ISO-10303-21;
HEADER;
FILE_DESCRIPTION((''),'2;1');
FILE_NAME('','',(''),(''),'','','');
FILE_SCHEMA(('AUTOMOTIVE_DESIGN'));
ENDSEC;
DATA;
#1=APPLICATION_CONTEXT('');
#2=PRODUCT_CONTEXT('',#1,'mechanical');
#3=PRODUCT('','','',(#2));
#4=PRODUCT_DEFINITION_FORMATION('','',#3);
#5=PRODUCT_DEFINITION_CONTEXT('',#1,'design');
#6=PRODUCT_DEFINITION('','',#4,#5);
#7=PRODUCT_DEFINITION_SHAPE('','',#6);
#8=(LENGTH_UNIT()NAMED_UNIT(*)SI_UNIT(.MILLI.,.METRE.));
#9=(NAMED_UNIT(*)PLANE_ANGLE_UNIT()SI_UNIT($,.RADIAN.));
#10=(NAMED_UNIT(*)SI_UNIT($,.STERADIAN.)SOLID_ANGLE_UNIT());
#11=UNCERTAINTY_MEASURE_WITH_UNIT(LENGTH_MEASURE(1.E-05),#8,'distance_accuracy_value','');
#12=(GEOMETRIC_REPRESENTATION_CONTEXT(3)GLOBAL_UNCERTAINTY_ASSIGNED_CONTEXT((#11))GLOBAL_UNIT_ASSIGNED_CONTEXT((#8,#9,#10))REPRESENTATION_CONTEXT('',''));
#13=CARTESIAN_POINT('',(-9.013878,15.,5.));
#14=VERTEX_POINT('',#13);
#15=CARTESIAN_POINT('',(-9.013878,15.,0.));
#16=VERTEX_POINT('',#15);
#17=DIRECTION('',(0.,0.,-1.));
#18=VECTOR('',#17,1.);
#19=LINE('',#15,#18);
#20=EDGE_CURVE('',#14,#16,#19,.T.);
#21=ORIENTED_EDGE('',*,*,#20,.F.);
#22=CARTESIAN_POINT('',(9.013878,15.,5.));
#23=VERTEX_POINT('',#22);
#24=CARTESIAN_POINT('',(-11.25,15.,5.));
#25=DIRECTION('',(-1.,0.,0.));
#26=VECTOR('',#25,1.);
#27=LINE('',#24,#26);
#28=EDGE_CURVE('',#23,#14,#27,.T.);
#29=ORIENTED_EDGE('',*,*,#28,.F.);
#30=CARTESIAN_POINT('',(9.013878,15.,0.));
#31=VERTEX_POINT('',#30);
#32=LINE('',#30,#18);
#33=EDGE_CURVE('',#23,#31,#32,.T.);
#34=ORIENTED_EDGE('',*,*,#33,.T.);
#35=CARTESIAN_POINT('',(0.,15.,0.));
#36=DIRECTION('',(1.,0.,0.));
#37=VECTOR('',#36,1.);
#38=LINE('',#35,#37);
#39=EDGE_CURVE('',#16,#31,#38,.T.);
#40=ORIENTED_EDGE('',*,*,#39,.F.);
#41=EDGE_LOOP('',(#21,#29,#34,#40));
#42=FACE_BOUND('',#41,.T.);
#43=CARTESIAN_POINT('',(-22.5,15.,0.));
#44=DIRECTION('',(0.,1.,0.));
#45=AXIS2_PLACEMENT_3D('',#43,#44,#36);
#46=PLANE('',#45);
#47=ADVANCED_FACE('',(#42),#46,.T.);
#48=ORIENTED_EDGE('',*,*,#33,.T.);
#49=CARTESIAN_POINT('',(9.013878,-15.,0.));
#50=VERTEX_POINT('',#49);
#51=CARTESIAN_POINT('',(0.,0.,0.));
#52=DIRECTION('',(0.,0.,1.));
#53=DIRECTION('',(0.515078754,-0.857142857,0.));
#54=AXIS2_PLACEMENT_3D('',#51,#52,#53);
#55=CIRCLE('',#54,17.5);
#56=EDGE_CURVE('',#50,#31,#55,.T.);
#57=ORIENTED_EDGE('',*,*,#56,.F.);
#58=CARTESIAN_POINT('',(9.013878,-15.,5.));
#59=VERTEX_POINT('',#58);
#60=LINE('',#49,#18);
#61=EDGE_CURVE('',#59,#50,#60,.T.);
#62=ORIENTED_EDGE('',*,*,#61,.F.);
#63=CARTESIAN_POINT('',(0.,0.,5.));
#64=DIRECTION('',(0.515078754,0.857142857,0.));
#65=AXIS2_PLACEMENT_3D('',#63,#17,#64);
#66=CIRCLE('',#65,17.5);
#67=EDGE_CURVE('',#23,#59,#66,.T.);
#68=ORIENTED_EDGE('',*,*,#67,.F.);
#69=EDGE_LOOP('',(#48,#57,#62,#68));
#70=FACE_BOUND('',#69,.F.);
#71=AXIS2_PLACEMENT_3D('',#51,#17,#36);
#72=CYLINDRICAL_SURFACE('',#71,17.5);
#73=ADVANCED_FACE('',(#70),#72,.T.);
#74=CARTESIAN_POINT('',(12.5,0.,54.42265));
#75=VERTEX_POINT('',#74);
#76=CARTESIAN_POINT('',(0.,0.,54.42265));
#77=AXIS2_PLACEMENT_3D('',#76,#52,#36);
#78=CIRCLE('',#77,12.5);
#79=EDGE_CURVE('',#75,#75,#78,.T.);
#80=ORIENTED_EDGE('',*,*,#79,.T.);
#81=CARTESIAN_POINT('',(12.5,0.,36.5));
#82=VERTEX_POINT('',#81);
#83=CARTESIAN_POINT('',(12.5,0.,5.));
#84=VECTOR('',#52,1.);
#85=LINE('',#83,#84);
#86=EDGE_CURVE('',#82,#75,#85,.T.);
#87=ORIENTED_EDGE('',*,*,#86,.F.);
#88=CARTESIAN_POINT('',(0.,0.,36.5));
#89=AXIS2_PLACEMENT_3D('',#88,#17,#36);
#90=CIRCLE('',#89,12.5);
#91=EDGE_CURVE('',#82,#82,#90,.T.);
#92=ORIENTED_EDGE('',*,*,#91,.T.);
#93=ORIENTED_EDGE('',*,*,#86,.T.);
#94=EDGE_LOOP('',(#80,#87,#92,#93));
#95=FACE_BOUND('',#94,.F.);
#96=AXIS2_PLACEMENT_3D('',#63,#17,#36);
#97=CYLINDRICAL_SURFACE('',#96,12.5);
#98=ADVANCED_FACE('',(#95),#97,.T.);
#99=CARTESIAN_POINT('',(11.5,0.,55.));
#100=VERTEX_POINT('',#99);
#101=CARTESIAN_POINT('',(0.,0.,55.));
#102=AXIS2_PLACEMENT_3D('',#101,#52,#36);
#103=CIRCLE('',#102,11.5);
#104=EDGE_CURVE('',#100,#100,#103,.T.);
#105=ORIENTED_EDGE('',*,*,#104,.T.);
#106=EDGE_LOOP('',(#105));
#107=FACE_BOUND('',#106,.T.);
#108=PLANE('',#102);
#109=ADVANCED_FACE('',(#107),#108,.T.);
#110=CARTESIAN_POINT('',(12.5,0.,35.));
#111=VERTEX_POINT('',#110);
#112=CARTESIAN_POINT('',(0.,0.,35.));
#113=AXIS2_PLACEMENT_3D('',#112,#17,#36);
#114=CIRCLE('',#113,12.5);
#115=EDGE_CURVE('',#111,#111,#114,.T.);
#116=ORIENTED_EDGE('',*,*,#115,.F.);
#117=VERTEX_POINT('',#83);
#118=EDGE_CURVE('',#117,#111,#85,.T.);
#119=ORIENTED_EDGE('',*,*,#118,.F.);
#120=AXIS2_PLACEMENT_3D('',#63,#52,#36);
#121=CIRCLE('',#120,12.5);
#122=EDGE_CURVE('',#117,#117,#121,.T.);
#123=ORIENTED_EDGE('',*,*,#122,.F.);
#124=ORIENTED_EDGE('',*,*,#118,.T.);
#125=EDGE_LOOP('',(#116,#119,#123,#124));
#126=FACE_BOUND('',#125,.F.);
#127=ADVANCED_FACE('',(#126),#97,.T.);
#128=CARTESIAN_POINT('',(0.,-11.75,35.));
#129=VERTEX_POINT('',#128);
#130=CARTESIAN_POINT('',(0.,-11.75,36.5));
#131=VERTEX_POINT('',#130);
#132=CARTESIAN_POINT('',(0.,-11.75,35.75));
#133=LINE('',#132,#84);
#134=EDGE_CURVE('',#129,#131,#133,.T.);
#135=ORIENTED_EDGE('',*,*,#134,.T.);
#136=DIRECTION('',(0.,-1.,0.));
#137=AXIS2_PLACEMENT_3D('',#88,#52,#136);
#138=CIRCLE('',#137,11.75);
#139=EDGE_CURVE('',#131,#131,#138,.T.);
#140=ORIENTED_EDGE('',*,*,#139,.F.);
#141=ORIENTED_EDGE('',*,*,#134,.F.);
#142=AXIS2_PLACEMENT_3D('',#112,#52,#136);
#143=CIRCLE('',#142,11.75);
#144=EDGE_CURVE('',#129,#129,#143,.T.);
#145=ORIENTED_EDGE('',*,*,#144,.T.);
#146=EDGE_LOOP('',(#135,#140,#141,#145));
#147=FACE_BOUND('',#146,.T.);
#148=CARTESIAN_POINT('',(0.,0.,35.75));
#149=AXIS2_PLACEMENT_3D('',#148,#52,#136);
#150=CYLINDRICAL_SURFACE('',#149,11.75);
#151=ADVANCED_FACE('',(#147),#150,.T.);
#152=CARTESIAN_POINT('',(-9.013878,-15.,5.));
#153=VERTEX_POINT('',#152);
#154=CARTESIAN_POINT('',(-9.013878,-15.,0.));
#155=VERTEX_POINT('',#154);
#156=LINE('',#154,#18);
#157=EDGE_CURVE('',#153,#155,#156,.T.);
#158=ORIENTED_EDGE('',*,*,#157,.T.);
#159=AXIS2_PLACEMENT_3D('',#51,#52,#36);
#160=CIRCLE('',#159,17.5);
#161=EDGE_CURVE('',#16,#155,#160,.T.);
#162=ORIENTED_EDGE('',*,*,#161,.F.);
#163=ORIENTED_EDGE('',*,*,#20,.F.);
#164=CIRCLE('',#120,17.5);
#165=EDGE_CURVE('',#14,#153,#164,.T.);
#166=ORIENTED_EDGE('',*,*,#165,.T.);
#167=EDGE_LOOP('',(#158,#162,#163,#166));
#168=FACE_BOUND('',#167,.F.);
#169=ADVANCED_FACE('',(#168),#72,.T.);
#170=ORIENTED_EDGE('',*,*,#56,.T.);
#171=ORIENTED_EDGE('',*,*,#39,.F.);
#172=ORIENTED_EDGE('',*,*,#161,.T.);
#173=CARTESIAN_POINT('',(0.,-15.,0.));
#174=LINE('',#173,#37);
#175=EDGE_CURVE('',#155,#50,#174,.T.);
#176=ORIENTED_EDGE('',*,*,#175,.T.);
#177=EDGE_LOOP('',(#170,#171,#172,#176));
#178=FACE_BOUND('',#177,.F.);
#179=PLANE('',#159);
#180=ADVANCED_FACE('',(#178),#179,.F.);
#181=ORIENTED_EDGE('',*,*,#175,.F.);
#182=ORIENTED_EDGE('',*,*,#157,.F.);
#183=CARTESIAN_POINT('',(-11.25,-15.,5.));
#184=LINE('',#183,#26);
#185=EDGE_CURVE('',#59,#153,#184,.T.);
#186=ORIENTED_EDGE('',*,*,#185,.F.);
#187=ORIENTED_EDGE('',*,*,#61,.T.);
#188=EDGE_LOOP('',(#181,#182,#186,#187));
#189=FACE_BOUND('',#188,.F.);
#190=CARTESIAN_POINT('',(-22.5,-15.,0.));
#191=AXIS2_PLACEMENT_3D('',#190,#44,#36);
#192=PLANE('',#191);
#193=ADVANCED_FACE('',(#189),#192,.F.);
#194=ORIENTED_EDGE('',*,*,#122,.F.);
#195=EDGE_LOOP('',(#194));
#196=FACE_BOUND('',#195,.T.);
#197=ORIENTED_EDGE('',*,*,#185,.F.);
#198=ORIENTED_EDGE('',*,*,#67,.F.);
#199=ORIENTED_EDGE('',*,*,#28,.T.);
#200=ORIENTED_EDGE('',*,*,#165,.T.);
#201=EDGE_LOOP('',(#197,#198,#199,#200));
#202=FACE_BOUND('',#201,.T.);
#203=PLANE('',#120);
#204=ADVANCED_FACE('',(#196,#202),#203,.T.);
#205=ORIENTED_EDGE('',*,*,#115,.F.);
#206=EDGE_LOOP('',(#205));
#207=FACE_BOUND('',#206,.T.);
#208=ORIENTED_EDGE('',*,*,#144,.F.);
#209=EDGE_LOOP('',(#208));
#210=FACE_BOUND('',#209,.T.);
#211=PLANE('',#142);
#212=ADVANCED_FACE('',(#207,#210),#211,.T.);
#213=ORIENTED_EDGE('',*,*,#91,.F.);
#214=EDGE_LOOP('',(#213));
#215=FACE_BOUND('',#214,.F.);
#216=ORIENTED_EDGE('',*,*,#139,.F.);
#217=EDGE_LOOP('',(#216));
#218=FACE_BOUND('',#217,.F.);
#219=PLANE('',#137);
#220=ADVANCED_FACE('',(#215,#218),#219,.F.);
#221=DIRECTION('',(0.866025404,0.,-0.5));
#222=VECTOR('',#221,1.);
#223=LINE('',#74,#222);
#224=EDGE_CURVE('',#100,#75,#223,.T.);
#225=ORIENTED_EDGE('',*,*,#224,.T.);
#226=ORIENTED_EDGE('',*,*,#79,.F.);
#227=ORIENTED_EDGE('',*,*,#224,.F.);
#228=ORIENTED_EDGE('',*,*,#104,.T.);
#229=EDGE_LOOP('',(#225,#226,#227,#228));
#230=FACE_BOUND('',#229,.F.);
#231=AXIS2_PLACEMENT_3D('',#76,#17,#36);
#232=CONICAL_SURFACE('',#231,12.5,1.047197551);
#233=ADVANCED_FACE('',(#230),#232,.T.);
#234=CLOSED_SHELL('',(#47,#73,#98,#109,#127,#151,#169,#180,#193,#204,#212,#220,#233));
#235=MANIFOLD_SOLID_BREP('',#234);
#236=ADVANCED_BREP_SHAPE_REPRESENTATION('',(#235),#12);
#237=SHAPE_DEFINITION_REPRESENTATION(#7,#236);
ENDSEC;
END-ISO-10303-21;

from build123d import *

# Parameters (mm, degrees)
F0_R     = 17.5
F1_DEPTH = 5
F2_R     = 12.5
F3_DEPTH = 50
F4_W     = 55
F4_H     = 40
F4_W_2   = 45
F4_H_2   = 30
F5_DEPTH = 25
F6_W     = 3.4094286376
F6_H     = 1.5
F8_SIZE2 = 0.5773502692
F8_SIZE  = 1


with BuildPart() as f1:
    # F0 (on Top) → F1 (new body)
    with BuildSketch(Plane.XY):
        Circle(F0_R)
    extrude(amount=F1_DEPTH)

    # F2 (on face) → F3 (join)
    with BuildSketch(Plane.XY.offset(5)):
        Circle(F2_R)
    extrude(amount=F3_DEPTH)

    # F4 (on face) → F5 (cut)
    with BuildSketch(Plane(origin=(0, 0, 0), x_dir=(1, 0, 0), z_dir=(0, 0, -1))):
        Rectangle(F4_W, F4_H)
        Rectangle(F4_W_2, F4_H_2, mode=Mode.SUBTRACT)
    extrude(amount=-F5_DEPTH, mode=Mode.SUBTRACT)

    # F6 (on Right) → F7 (revolve, cut)
    with BuildSketch(Plane.YZ):
        with Locations((-13.4547143188, 35.75)):
            Rectangle(F6_W, F6_H)
    revolve(axis=Axis((0, 0, 30.1519706845), (0, 0, 1)), mode=Mode.SUBTRACT)

    # F8
    f8_edges = [f1.edges().sort_by_distance(p)[0] for p in [
        (-12.5, 0, 55),
    ]]
    f8_side = f1.faces().sort_by_distance((0, 0, 55))[0]
    chamfer(f8_edges, length=F8_SIZE, length2=F8_SIZE2, reference=f8_side)


solid = f1.part
